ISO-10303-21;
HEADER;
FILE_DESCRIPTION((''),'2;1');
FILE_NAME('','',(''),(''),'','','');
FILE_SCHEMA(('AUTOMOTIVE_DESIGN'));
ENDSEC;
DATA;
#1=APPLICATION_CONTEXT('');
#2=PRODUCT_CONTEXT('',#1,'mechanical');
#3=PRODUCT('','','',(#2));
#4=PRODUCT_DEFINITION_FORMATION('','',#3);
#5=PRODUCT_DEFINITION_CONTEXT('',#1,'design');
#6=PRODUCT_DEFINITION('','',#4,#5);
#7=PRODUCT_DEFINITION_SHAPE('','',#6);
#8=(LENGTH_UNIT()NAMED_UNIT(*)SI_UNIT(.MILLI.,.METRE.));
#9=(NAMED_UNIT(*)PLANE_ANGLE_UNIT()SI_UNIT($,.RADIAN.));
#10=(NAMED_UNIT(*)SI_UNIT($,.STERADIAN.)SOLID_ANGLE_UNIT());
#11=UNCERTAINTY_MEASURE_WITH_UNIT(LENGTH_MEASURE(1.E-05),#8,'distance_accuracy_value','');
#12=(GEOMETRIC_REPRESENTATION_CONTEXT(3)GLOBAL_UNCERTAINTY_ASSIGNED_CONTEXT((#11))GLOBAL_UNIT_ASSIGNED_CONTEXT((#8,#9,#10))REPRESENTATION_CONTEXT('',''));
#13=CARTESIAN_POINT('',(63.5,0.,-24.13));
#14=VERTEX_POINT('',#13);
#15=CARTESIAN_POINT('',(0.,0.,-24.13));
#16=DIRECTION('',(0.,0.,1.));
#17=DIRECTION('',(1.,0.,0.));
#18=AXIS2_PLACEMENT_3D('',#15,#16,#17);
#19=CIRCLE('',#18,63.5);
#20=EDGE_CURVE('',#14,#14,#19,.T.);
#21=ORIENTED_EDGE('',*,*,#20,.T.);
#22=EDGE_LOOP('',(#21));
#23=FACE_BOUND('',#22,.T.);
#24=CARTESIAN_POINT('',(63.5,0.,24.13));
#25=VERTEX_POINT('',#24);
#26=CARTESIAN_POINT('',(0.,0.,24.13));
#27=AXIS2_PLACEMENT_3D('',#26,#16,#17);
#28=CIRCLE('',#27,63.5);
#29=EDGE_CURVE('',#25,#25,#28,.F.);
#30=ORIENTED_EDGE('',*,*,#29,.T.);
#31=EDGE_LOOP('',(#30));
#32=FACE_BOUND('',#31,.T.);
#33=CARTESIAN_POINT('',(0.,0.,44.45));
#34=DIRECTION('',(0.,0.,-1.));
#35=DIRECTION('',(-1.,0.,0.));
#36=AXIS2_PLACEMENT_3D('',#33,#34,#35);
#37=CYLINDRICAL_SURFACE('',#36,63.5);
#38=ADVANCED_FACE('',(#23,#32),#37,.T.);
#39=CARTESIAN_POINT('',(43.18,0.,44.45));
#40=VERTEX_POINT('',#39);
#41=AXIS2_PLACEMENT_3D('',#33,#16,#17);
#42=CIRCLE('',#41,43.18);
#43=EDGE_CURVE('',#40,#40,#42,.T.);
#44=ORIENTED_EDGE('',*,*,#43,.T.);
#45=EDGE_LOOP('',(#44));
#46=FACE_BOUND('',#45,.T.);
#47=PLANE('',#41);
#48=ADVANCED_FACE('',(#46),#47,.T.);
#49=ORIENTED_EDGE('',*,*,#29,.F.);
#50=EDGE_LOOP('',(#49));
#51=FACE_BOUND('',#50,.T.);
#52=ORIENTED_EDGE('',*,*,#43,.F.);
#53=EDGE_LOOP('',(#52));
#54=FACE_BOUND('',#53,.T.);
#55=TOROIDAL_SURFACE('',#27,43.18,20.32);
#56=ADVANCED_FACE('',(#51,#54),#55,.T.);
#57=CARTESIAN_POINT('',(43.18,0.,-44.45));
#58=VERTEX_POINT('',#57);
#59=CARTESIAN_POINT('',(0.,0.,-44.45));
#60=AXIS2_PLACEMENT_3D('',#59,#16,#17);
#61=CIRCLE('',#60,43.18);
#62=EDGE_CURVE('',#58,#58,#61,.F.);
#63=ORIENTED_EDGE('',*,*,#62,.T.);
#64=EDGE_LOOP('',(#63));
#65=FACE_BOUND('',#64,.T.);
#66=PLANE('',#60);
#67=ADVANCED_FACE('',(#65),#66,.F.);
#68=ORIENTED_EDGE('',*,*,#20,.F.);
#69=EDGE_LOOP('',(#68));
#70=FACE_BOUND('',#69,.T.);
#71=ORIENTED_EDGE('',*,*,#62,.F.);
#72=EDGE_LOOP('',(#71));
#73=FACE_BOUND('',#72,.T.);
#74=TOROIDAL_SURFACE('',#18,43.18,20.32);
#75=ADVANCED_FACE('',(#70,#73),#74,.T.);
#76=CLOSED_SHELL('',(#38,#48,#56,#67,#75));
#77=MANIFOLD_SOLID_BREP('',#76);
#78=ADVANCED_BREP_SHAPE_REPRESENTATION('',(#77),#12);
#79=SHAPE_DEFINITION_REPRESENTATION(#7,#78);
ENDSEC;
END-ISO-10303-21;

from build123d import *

# Parameters (mm, degrees)
SKETCH1_R           = 63.5
BOSS_EXTRUDE1_DEPTH = 44.45
FILLET1_R           = 20.32


with BuildPart() as part:
    # Sketch1 → Boss-Extrude1 (new body, symmetric)
    with BuildSketch(Plane.XY):
        Circle(SKETCH1_R)
    extrude(amount=BOSS_EXTRUDE1_DEPTH, both=True)

    # Fillet1
    fillet1_edges = [part.edges().sort_by_distance(p)[0] for p in [
        (-63.5, 0, -44.45),
        (-63.5, 0, 44.45),
    ]]
    fillet(fillet1_edges, radius=FILLET1_R)


solid = part.part
